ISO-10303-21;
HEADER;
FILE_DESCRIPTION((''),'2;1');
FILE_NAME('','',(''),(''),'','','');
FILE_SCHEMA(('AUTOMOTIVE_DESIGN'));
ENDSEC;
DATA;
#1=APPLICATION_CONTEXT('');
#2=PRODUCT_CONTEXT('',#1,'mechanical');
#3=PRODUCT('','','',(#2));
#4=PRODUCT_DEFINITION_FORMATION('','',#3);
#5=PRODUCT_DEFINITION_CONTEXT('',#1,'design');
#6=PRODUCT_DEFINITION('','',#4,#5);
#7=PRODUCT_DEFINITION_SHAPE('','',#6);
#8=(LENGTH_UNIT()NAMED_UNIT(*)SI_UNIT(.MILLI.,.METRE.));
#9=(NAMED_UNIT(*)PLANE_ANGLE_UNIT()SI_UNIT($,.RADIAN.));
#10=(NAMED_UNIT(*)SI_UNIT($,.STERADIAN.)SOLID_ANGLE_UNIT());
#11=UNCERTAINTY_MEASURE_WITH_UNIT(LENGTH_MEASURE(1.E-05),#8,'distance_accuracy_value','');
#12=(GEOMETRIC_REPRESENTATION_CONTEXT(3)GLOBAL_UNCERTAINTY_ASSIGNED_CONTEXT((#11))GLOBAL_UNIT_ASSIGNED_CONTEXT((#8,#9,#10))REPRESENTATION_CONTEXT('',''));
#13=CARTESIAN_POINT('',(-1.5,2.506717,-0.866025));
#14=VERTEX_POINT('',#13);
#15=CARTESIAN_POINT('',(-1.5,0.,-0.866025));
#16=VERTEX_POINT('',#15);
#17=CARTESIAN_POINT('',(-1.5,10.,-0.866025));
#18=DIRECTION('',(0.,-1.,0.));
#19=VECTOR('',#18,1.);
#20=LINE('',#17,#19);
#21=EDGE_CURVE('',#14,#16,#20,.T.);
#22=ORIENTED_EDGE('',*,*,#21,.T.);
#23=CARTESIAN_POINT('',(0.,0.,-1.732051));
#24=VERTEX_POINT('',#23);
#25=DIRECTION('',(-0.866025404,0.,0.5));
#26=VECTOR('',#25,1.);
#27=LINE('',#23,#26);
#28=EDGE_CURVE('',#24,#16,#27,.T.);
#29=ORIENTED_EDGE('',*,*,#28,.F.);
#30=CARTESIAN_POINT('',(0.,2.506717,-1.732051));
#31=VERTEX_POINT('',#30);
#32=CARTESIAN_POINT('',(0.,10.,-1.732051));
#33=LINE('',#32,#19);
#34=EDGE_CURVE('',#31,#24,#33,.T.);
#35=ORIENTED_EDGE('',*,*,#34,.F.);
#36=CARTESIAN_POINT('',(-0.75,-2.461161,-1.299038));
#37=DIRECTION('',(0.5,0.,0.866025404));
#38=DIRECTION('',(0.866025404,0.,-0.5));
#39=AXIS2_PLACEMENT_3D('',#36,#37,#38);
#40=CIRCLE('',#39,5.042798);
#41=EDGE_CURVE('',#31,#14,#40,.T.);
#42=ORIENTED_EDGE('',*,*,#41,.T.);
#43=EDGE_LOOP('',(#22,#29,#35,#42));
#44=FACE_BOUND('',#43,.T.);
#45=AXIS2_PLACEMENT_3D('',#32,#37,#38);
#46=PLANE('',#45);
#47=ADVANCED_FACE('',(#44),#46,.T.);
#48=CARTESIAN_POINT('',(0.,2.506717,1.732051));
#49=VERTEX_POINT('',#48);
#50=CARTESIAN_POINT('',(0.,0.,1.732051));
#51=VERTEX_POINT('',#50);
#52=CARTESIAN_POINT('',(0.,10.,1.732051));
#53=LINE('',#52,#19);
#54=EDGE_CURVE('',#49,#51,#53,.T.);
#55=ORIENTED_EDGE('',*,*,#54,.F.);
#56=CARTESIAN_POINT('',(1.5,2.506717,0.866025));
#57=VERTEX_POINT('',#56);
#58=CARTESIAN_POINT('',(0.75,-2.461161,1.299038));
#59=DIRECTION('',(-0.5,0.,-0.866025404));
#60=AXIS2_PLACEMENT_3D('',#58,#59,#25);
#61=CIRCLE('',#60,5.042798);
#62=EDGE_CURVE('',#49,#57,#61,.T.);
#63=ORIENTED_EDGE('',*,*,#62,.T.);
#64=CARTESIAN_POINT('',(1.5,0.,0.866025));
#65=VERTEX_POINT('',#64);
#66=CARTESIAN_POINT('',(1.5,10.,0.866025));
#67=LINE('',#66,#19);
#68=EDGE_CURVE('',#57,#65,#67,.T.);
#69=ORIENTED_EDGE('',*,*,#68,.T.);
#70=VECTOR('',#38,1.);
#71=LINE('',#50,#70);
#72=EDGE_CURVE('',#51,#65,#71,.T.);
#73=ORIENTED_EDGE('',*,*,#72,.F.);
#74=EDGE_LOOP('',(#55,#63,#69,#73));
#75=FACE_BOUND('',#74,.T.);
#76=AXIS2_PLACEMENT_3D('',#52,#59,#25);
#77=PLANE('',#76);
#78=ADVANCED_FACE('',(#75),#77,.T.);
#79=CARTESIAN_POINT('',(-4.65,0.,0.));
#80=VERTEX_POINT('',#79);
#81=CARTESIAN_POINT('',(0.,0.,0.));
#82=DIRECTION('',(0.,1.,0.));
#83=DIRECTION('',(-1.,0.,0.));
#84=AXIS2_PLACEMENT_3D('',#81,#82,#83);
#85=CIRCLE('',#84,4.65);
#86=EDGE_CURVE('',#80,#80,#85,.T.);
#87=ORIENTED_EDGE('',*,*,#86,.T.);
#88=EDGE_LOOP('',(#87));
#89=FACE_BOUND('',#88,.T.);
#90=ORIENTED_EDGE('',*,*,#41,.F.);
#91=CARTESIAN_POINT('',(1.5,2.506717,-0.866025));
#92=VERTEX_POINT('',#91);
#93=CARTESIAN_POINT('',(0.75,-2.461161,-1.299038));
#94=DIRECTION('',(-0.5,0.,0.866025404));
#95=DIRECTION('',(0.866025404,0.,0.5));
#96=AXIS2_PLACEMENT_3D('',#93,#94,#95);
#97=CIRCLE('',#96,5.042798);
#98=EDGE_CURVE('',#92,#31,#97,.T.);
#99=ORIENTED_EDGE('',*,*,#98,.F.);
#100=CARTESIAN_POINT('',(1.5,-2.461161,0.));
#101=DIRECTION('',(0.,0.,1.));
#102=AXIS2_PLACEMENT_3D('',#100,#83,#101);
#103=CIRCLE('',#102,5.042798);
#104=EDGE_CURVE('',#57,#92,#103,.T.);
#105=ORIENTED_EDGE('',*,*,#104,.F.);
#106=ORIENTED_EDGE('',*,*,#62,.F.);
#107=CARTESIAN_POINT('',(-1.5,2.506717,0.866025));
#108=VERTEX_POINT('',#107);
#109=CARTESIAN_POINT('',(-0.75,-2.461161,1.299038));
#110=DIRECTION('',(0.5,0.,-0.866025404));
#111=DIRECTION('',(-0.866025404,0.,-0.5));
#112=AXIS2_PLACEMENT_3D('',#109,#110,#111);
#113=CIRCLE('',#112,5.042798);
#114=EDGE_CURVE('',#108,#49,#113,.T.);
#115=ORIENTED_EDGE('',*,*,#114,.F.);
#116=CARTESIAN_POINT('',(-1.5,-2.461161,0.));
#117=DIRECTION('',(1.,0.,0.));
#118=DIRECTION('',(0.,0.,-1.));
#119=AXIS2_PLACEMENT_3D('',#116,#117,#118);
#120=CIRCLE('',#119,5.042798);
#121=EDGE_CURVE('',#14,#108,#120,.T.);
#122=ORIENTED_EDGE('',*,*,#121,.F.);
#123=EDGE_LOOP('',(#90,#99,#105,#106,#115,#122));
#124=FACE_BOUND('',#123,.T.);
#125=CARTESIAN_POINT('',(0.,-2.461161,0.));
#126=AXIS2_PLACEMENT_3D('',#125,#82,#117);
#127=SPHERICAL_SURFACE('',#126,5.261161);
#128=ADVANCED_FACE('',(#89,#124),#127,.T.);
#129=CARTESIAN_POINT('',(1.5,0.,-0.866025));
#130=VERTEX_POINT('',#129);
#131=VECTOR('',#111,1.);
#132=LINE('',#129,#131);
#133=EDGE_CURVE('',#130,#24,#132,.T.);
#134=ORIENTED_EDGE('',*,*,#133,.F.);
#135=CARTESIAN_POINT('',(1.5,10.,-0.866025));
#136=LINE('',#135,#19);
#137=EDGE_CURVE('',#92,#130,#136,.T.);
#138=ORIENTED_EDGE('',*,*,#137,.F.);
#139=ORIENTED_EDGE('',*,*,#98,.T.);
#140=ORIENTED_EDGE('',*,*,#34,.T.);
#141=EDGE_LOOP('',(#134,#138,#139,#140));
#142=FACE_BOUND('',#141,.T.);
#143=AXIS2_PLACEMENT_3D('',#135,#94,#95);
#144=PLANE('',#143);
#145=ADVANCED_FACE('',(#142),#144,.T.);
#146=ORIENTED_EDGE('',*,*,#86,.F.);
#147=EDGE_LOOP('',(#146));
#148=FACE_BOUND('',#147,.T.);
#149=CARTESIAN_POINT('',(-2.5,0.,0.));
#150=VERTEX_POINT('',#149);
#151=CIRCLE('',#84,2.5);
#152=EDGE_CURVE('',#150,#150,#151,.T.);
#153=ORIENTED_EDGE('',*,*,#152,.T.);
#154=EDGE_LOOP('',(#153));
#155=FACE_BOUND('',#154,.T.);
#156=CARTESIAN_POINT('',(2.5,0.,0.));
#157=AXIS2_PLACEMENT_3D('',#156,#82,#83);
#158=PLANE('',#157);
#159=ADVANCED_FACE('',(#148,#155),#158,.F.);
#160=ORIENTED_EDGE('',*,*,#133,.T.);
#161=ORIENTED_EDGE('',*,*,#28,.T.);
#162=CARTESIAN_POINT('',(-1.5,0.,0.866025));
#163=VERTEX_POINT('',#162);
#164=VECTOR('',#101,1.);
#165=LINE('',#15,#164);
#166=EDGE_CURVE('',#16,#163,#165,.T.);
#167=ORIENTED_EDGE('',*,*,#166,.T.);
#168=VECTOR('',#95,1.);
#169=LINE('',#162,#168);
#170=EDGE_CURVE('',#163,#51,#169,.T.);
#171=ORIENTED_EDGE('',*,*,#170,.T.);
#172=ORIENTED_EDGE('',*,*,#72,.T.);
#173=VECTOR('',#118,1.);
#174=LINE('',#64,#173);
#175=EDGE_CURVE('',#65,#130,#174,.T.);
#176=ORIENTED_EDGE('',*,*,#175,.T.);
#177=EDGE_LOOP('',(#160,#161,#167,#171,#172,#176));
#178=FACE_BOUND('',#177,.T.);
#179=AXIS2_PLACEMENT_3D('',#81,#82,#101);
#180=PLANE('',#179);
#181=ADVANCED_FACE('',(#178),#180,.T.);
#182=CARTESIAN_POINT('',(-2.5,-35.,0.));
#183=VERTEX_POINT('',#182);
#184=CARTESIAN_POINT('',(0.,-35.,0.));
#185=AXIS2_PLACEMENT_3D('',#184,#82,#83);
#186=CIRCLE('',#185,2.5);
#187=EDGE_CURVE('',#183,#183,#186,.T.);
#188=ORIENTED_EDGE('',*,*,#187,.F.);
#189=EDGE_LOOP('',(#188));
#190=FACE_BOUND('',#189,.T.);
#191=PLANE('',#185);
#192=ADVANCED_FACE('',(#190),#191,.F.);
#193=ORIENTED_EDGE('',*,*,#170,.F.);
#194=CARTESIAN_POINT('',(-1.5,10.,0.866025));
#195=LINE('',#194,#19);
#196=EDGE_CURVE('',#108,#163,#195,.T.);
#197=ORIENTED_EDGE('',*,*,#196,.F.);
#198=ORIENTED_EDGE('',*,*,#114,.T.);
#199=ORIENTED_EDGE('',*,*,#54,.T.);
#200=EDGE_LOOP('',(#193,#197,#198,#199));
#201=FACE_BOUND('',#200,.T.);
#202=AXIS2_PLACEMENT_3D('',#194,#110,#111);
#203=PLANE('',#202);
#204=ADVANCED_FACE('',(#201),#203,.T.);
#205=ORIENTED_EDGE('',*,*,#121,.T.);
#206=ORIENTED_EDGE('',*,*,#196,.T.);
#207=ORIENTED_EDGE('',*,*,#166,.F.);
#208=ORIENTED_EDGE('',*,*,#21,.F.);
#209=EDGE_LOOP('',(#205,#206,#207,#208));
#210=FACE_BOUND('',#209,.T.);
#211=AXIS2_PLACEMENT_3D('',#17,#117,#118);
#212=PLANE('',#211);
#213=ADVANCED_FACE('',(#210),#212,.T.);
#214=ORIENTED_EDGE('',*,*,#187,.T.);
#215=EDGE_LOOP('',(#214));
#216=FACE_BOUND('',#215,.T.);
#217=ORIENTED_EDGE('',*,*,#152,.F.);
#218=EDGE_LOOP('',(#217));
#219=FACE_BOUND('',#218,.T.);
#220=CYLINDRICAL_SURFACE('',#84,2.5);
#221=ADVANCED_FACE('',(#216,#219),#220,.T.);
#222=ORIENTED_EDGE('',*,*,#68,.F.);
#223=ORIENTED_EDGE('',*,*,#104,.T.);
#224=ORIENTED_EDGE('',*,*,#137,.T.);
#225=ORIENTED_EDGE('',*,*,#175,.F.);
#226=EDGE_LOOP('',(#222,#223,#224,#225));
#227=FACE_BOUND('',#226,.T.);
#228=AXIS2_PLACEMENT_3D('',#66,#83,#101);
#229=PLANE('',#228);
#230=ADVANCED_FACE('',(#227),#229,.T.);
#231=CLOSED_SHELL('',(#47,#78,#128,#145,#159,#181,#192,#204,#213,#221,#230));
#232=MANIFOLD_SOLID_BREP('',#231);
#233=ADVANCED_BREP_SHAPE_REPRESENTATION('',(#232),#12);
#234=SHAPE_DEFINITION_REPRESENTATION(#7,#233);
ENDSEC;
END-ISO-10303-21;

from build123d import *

# Parameters (mm, degrees)
CUT_EXTRUDE1_DEPTH = 10


with BuildPart() as part:
    # Sketch1 → Revolve1 (revolve)
    with BuildSketch(Plane.XY):
        with BuildLine():
            Line((0, 0), (0, -35))
            Line((0, -35), (2.5, -35))
            Line((2.5, -35), (2.5, 0))
            Line((2.5, 0), (4.65, 0))
            ThreePointArc((4.65, 0), (2.713968497, 2.045965539), (0, 2.8))
            Line((0, 2.8), (0, 0))
        make_face()
    revolve(axis=Axis((0, 0, 0), (0, -1, 0)))

    # Sketch2 → Cut-Extrude1 (cut)
    with BuildSketch(Plane(origin=(0, 0, 0), x_dir=(1, 0, 0), z_dir=(0, 1, 0))):
        Polygon((0, 1.732050808), (-1.5, 0.866025404), (-1.5, -0.866025404), (0, -1.732050808), (1.5, -0.866025404), (1.5, 0.866025404), align=None)
    extrude(amount=CUT_EXTRUDE1_DEPTH, mode=Mode.SUBTRACT)


solid = part.part
